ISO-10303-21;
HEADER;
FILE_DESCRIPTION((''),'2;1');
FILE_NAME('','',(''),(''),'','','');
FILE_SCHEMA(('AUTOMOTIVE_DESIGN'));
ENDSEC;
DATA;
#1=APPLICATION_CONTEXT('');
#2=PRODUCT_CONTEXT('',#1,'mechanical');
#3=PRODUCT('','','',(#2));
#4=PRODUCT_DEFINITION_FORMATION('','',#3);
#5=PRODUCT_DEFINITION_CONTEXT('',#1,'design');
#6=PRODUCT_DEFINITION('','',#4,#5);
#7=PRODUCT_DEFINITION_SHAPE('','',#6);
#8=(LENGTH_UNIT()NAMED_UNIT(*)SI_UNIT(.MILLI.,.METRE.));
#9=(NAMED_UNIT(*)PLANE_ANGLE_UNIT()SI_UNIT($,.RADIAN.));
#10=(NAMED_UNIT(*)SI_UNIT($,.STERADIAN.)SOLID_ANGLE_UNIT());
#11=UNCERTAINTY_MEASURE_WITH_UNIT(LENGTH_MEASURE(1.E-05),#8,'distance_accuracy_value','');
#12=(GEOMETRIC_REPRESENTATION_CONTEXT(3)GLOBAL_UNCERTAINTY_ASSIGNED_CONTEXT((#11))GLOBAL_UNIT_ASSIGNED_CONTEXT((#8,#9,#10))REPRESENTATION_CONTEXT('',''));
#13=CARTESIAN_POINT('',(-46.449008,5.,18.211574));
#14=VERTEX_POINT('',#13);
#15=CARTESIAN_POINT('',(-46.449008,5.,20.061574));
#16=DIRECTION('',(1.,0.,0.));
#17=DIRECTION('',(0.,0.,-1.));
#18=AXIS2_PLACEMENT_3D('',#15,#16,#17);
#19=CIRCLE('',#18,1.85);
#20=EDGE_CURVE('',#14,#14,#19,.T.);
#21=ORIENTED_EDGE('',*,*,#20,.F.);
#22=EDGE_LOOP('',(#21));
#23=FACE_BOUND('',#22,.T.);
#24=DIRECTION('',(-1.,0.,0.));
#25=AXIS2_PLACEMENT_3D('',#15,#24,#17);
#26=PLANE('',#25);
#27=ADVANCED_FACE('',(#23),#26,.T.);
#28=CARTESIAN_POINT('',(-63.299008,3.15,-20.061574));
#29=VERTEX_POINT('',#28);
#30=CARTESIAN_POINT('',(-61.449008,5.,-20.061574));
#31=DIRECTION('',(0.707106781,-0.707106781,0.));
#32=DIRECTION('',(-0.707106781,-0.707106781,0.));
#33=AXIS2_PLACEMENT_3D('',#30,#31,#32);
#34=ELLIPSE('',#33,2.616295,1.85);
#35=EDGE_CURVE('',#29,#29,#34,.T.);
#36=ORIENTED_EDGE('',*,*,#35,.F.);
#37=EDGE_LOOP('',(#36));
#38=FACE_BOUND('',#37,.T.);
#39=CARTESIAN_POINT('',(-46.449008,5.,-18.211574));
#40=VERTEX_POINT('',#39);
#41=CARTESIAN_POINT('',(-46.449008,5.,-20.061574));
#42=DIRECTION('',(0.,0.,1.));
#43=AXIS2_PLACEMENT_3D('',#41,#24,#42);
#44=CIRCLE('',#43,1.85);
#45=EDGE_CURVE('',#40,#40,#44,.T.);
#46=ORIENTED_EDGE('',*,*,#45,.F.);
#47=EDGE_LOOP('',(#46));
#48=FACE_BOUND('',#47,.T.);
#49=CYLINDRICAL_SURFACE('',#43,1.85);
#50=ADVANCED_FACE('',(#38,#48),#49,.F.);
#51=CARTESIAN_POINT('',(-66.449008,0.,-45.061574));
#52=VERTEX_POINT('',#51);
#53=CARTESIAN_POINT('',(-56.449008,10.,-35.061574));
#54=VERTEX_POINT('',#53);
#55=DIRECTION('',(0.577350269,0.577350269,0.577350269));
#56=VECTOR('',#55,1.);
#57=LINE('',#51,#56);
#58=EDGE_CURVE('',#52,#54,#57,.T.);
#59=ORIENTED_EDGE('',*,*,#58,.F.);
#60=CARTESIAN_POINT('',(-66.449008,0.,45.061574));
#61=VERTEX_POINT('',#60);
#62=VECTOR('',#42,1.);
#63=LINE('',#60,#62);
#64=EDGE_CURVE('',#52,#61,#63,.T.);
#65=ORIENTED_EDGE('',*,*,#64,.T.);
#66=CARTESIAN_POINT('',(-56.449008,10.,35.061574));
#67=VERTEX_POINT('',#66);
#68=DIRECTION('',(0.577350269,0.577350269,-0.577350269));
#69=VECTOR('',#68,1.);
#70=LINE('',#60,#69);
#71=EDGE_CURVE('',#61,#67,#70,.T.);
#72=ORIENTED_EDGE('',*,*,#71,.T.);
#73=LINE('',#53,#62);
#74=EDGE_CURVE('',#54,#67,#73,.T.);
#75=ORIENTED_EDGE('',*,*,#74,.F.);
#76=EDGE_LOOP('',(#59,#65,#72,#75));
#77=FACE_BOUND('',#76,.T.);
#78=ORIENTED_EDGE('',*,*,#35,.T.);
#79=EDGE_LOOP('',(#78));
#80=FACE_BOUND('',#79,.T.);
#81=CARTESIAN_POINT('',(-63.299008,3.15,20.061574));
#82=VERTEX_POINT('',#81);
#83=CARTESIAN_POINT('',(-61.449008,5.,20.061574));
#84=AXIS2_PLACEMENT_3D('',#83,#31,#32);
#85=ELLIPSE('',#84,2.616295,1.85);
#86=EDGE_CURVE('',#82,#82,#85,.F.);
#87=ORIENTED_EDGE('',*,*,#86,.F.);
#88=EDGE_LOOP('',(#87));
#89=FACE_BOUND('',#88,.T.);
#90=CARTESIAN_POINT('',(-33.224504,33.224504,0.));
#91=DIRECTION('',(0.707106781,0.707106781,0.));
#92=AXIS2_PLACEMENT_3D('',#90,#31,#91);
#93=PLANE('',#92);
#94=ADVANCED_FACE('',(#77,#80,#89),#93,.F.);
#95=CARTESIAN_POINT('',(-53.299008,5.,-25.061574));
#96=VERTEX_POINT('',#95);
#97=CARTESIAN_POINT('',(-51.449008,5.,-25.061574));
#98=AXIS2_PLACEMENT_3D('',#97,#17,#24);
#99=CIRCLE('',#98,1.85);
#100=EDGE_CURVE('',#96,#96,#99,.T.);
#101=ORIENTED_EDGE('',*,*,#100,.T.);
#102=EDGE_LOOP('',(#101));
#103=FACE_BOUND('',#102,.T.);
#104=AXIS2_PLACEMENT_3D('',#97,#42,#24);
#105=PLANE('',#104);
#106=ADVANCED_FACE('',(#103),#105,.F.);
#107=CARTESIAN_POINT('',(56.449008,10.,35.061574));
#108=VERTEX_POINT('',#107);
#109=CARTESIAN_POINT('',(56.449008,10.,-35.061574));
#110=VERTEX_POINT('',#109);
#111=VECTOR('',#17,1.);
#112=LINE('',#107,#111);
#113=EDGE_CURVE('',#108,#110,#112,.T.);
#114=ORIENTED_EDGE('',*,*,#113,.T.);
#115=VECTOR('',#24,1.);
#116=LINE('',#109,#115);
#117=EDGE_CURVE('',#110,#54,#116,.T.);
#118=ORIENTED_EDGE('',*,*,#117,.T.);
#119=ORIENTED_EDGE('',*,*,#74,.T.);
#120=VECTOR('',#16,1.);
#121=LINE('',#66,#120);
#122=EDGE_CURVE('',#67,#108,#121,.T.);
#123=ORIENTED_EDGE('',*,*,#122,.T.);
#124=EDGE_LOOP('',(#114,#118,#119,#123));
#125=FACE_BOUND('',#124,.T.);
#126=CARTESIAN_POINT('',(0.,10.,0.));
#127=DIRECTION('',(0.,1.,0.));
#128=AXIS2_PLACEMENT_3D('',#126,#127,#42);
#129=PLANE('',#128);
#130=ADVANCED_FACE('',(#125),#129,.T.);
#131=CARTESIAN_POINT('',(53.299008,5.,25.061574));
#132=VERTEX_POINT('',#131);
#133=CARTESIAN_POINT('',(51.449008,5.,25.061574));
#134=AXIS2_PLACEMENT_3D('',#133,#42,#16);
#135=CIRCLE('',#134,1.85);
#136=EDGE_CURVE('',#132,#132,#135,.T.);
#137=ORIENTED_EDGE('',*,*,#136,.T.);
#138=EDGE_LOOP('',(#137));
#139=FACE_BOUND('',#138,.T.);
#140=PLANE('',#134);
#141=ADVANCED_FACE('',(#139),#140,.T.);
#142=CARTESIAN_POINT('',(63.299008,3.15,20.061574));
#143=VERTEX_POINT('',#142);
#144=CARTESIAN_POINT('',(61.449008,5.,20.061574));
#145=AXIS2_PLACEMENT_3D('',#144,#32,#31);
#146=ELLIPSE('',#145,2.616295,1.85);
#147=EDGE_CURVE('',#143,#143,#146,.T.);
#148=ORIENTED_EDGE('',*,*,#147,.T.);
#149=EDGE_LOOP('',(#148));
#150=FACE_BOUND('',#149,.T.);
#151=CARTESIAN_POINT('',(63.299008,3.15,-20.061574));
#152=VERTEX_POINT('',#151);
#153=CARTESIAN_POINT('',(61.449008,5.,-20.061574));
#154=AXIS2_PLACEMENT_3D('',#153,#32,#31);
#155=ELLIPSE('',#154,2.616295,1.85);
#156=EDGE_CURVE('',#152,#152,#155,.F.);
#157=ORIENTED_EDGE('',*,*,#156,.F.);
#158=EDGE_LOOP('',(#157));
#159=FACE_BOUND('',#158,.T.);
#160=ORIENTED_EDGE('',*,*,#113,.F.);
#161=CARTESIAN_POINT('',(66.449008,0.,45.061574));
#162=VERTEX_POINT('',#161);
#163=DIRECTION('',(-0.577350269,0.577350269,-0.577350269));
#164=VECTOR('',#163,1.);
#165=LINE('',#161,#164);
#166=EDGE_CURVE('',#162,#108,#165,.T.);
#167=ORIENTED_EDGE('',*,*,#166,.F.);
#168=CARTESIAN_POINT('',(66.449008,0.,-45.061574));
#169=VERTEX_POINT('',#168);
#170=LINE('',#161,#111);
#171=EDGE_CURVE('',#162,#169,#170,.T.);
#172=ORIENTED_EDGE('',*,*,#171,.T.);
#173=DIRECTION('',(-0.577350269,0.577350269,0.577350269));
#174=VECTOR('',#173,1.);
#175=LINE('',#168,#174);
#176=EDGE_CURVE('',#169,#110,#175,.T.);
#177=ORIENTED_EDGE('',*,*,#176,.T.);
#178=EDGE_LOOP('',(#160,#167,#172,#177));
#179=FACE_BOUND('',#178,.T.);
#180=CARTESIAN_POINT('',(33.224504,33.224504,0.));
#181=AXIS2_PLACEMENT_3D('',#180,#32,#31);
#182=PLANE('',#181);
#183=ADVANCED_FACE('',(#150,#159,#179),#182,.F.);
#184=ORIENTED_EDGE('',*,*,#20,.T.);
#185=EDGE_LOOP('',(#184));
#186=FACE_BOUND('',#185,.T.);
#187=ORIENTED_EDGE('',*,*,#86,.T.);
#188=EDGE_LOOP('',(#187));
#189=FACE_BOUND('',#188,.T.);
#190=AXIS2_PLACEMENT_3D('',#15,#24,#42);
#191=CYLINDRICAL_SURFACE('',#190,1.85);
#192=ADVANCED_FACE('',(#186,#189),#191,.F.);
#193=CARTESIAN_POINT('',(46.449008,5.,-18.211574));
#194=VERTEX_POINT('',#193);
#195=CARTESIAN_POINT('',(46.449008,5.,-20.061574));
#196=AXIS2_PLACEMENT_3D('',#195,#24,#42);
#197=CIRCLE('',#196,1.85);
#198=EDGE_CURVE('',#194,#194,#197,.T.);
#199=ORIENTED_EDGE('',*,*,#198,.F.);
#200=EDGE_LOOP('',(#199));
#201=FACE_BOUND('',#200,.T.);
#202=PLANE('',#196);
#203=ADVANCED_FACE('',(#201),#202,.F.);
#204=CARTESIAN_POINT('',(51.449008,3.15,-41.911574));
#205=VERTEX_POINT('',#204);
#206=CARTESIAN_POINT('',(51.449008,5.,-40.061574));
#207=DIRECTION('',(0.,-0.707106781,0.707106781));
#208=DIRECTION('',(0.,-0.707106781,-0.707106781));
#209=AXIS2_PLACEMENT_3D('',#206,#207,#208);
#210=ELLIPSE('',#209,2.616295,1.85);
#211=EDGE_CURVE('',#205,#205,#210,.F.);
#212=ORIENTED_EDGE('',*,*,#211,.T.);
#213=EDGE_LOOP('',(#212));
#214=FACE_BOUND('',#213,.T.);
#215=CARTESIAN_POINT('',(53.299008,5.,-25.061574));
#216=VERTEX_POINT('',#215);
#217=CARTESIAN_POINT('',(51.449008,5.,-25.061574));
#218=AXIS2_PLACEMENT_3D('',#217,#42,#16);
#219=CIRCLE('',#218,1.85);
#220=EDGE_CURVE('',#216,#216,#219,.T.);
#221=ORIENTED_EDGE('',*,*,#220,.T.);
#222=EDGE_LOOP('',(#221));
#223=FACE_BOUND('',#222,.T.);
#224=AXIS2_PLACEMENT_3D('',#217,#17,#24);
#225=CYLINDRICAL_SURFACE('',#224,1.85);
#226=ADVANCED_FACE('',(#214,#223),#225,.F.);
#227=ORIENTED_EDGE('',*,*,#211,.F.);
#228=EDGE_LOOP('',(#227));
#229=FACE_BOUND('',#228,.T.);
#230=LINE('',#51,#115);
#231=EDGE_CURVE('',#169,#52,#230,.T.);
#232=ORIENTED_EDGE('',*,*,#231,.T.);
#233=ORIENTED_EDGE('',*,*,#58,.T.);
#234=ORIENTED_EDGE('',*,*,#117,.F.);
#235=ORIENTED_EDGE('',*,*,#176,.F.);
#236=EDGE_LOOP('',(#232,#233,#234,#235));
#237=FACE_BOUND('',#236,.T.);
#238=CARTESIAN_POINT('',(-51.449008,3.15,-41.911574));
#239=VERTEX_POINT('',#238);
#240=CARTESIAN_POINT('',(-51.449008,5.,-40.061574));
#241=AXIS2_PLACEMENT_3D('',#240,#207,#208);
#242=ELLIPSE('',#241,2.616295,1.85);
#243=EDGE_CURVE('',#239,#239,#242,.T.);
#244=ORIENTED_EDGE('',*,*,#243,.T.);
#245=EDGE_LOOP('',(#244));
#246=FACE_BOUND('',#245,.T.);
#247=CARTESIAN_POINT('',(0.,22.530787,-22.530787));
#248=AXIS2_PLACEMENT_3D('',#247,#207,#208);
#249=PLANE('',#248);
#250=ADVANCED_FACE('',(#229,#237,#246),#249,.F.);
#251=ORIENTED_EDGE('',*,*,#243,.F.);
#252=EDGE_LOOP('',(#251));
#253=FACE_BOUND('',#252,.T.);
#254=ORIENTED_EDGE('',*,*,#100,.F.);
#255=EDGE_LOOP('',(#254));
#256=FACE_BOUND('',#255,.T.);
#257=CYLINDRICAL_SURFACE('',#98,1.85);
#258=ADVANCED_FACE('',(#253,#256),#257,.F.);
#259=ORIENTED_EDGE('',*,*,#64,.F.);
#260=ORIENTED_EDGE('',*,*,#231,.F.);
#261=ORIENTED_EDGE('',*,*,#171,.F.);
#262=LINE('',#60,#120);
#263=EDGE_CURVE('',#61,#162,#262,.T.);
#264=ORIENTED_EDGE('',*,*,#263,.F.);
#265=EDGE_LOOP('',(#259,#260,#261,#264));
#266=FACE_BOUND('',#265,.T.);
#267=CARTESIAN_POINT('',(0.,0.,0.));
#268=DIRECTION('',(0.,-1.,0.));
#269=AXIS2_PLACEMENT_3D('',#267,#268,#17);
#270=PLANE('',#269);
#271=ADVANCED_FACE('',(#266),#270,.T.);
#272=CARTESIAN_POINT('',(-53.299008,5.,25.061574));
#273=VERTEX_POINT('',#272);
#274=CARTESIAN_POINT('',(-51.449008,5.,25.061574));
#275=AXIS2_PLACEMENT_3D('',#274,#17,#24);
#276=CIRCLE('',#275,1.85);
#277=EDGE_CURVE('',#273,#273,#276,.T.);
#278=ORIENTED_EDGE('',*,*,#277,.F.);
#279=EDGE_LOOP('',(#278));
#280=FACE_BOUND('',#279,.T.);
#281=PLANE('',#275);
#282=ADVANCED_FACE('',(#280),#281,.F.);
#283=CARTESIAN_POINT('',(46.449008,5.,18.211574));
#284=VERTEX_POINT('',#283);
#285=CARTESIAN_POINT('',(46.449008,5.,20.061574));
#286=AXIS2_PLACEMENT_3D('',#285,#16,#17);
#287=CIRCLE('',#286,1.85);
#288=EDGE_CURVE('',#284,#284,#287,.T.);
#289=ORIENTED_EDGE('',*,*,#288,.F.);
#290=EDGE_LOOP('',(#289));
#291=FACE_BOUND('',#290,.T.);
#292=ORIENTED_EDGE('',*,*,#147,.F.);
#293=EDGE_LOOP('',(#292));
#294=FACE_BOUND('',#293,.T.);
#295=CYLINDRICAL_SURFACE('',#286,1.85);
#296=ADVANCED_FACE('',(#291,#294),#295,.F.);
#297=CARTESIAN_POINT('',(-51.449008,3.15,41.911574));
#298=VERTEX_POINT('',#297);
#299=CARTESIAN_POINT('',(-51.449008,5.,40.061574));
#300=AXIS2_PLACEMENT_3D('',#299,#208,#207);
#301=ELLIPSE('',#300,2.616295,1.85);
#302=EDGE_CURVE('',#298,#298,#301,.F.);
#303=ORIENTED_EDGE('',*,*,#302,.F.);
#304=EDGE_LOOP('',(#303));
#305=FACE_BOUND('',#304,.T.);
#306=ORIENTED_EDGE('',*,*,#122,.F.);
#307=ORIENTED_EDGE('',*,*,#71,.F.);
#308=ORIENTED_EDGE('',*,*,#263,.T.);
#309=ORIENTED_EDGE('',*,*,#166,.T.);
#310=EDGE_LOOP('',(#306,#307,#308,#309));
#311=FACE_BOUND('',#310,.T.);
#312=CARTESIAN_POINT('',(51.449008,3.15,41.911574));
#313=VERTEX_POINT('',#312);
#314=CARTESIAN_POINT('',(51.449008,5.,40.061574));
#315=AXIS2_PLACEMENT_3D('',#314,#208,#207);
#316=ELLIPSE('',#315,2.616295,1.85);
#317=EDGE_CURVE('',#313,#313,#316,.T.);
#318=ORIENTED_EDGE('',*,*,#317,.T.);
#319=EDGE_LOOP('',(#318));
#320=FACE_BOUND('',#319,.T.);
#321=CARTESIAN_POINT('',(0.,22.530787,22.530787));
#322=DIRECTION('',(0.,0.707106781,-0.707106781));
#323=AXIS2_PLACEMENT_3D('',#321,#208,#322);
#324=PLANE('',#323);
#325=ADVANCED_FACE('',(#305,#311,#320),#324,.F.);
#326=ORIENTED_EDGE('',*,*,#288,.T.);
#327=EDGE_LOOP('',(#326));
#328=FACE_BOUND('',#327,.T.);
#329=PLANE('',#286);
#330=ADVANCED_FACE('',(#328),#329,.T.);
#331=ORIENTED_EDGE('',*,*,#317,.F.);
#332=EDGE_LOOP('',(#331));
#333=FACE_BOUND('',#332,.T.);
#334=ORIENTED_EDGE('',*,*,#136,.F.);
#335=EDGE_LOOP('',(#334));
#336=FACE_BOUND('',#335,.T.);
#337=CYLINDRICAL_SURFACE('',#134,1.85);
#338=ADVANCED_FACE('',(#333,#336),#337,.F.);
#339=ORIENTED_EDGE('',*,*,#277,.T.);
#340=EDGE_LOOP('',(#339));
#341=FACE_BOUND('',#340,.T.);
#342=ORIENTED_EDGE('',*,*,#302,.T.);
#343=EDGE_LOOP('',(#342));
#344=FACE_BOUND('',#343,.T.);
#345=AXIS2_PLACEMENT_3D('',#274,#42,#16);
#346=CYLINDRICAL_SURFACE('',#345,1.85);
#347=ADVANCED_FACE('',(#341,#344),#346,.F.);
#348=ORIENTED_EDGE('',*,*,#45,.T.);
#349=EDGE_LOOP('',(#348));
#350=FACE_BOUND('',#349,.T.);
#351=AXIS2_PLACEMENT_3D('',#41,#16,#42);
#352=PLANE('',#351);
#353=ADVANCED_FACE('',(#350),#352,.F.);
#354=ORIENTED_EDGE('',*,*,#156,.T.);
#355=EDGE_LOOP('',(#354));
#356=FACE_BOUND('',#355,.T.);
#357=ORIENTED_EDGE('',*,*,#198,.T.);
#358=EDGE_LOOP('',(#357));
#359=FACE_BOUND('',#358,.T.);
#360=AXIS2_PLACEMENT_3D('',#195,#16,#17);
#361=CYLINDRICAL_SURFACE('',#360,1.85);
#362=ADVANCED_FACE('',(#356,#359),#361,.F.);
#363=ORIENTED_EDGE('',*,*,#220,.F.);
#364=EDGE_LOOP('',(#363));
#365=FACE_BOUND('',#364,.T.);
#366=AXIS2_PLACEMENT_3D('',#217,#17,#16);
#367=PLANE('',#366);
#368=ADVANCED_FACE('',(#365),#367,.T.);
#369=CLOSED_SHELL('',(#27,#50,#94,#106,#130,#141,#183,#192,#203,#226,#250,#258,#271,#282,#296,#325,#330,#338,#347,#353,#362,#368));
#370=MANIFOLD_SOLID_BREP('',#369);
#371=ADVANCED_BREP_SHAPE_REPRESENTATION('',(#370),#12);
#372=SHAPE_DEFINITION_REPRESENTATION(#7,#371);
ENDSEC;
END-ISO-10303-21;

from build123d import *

# Parameters (mm, degrees)
SKETCH_3_R          = 1.85
CUT_EXTRUDE_1_DEPTH = 20
SKETCH_4_R          = 1.85
CUT_EXTRUDE_2_DEPTH = 20


with BuildPart() as part:
    # Эскиз1 → По сечениям1 section 0
    with BuildSketch(Plane(origin=(0, 0, 0), x_dir=(1, 0, 0), z_dir=(0, 1, 0))):
        with BuildLine():
            Line((-66.449008168, -45.061574365), (66.449008168, -45.061574365))
            Line((66.449008168, -45.061574365), (66.449008168, 45.061574365))
            Line((66.449008168, 45.061574365), (-66.449008168, 45.061574365))
            Line((-66.449008168, 45.061574365), (-66.449008168, -45.061574365))
        make_face()
    # Эскиз2 → По сечениям1 section 1
    with BuildSketch(Plane(origin=(0, 10, 0), x_dir=(1, 0, 0), z_dir=(0, 1, 0))):
        with BuildLine():
            Line((56.449008168, 35.061574365), (-56.449008168, 35.061574365))
            Line((-56.449008168, 35.061574365), (-56.449008168, -35.061574365))
            Line((-56.449008168, -35.061574365), (56.449008168, -35.061574365))
            Line((56.449008168, -35.061574365), (56.449008168, 35.061574365))
        make_face()
    loft()

    # Эскиз3 → Вырез-Вытянуть1 (cut)
    with BuildSketch(Plane.XY.offset(45.061574365)):
        with Locations((51.449008168, 5)):
            Circle(SKETCH_3_R)
        with Locations(Location((-51.449008168, 5, 0), (0, 0, 270))):
            Circle(SKETCH_3_R)
    cut_extrude_1 = extrude(amount=-CUT_EXTRUDE_1_DEPTH, mode=Mode.SUBTRACT)

    # Зеркальное отражение1: Вырез-Вытянуть1 across plane
    add(cut_extrude_1.mirror(Plane.XY), mode=Mode.SUBTRACT)

    # Эскиз4 → Вырез-Вытянуть2 (cut)
    with BuildSketch(Plane(origin=(66.449008168, 0, 0), x_dir=(0, 0, -1), z_dir=(1, 0, 0))):
        with Locations((-20.061574365, 5)):
            Circle(SKETCH_4_R)
        with Locations(Location((20.061574365, 5, 0), (0, 0, 270))):
            Circle(SKETCH_4_R)
    cut_extrude_2 = extrude(amount=-CUT_EXTRUDE_2_DEPTH, mode=Mode.SUBTRACT)

    # Зеркальное отражение2: Вырез-Вытянуть2 across plane
    add(cut_extrude_2.mirror(Plane(origin=(0, 0, 0), x_dir=(0, 0, 1), z_dir=(1, 0, 0))), mode=Mode.SUBTRACT)


solid = part.part
